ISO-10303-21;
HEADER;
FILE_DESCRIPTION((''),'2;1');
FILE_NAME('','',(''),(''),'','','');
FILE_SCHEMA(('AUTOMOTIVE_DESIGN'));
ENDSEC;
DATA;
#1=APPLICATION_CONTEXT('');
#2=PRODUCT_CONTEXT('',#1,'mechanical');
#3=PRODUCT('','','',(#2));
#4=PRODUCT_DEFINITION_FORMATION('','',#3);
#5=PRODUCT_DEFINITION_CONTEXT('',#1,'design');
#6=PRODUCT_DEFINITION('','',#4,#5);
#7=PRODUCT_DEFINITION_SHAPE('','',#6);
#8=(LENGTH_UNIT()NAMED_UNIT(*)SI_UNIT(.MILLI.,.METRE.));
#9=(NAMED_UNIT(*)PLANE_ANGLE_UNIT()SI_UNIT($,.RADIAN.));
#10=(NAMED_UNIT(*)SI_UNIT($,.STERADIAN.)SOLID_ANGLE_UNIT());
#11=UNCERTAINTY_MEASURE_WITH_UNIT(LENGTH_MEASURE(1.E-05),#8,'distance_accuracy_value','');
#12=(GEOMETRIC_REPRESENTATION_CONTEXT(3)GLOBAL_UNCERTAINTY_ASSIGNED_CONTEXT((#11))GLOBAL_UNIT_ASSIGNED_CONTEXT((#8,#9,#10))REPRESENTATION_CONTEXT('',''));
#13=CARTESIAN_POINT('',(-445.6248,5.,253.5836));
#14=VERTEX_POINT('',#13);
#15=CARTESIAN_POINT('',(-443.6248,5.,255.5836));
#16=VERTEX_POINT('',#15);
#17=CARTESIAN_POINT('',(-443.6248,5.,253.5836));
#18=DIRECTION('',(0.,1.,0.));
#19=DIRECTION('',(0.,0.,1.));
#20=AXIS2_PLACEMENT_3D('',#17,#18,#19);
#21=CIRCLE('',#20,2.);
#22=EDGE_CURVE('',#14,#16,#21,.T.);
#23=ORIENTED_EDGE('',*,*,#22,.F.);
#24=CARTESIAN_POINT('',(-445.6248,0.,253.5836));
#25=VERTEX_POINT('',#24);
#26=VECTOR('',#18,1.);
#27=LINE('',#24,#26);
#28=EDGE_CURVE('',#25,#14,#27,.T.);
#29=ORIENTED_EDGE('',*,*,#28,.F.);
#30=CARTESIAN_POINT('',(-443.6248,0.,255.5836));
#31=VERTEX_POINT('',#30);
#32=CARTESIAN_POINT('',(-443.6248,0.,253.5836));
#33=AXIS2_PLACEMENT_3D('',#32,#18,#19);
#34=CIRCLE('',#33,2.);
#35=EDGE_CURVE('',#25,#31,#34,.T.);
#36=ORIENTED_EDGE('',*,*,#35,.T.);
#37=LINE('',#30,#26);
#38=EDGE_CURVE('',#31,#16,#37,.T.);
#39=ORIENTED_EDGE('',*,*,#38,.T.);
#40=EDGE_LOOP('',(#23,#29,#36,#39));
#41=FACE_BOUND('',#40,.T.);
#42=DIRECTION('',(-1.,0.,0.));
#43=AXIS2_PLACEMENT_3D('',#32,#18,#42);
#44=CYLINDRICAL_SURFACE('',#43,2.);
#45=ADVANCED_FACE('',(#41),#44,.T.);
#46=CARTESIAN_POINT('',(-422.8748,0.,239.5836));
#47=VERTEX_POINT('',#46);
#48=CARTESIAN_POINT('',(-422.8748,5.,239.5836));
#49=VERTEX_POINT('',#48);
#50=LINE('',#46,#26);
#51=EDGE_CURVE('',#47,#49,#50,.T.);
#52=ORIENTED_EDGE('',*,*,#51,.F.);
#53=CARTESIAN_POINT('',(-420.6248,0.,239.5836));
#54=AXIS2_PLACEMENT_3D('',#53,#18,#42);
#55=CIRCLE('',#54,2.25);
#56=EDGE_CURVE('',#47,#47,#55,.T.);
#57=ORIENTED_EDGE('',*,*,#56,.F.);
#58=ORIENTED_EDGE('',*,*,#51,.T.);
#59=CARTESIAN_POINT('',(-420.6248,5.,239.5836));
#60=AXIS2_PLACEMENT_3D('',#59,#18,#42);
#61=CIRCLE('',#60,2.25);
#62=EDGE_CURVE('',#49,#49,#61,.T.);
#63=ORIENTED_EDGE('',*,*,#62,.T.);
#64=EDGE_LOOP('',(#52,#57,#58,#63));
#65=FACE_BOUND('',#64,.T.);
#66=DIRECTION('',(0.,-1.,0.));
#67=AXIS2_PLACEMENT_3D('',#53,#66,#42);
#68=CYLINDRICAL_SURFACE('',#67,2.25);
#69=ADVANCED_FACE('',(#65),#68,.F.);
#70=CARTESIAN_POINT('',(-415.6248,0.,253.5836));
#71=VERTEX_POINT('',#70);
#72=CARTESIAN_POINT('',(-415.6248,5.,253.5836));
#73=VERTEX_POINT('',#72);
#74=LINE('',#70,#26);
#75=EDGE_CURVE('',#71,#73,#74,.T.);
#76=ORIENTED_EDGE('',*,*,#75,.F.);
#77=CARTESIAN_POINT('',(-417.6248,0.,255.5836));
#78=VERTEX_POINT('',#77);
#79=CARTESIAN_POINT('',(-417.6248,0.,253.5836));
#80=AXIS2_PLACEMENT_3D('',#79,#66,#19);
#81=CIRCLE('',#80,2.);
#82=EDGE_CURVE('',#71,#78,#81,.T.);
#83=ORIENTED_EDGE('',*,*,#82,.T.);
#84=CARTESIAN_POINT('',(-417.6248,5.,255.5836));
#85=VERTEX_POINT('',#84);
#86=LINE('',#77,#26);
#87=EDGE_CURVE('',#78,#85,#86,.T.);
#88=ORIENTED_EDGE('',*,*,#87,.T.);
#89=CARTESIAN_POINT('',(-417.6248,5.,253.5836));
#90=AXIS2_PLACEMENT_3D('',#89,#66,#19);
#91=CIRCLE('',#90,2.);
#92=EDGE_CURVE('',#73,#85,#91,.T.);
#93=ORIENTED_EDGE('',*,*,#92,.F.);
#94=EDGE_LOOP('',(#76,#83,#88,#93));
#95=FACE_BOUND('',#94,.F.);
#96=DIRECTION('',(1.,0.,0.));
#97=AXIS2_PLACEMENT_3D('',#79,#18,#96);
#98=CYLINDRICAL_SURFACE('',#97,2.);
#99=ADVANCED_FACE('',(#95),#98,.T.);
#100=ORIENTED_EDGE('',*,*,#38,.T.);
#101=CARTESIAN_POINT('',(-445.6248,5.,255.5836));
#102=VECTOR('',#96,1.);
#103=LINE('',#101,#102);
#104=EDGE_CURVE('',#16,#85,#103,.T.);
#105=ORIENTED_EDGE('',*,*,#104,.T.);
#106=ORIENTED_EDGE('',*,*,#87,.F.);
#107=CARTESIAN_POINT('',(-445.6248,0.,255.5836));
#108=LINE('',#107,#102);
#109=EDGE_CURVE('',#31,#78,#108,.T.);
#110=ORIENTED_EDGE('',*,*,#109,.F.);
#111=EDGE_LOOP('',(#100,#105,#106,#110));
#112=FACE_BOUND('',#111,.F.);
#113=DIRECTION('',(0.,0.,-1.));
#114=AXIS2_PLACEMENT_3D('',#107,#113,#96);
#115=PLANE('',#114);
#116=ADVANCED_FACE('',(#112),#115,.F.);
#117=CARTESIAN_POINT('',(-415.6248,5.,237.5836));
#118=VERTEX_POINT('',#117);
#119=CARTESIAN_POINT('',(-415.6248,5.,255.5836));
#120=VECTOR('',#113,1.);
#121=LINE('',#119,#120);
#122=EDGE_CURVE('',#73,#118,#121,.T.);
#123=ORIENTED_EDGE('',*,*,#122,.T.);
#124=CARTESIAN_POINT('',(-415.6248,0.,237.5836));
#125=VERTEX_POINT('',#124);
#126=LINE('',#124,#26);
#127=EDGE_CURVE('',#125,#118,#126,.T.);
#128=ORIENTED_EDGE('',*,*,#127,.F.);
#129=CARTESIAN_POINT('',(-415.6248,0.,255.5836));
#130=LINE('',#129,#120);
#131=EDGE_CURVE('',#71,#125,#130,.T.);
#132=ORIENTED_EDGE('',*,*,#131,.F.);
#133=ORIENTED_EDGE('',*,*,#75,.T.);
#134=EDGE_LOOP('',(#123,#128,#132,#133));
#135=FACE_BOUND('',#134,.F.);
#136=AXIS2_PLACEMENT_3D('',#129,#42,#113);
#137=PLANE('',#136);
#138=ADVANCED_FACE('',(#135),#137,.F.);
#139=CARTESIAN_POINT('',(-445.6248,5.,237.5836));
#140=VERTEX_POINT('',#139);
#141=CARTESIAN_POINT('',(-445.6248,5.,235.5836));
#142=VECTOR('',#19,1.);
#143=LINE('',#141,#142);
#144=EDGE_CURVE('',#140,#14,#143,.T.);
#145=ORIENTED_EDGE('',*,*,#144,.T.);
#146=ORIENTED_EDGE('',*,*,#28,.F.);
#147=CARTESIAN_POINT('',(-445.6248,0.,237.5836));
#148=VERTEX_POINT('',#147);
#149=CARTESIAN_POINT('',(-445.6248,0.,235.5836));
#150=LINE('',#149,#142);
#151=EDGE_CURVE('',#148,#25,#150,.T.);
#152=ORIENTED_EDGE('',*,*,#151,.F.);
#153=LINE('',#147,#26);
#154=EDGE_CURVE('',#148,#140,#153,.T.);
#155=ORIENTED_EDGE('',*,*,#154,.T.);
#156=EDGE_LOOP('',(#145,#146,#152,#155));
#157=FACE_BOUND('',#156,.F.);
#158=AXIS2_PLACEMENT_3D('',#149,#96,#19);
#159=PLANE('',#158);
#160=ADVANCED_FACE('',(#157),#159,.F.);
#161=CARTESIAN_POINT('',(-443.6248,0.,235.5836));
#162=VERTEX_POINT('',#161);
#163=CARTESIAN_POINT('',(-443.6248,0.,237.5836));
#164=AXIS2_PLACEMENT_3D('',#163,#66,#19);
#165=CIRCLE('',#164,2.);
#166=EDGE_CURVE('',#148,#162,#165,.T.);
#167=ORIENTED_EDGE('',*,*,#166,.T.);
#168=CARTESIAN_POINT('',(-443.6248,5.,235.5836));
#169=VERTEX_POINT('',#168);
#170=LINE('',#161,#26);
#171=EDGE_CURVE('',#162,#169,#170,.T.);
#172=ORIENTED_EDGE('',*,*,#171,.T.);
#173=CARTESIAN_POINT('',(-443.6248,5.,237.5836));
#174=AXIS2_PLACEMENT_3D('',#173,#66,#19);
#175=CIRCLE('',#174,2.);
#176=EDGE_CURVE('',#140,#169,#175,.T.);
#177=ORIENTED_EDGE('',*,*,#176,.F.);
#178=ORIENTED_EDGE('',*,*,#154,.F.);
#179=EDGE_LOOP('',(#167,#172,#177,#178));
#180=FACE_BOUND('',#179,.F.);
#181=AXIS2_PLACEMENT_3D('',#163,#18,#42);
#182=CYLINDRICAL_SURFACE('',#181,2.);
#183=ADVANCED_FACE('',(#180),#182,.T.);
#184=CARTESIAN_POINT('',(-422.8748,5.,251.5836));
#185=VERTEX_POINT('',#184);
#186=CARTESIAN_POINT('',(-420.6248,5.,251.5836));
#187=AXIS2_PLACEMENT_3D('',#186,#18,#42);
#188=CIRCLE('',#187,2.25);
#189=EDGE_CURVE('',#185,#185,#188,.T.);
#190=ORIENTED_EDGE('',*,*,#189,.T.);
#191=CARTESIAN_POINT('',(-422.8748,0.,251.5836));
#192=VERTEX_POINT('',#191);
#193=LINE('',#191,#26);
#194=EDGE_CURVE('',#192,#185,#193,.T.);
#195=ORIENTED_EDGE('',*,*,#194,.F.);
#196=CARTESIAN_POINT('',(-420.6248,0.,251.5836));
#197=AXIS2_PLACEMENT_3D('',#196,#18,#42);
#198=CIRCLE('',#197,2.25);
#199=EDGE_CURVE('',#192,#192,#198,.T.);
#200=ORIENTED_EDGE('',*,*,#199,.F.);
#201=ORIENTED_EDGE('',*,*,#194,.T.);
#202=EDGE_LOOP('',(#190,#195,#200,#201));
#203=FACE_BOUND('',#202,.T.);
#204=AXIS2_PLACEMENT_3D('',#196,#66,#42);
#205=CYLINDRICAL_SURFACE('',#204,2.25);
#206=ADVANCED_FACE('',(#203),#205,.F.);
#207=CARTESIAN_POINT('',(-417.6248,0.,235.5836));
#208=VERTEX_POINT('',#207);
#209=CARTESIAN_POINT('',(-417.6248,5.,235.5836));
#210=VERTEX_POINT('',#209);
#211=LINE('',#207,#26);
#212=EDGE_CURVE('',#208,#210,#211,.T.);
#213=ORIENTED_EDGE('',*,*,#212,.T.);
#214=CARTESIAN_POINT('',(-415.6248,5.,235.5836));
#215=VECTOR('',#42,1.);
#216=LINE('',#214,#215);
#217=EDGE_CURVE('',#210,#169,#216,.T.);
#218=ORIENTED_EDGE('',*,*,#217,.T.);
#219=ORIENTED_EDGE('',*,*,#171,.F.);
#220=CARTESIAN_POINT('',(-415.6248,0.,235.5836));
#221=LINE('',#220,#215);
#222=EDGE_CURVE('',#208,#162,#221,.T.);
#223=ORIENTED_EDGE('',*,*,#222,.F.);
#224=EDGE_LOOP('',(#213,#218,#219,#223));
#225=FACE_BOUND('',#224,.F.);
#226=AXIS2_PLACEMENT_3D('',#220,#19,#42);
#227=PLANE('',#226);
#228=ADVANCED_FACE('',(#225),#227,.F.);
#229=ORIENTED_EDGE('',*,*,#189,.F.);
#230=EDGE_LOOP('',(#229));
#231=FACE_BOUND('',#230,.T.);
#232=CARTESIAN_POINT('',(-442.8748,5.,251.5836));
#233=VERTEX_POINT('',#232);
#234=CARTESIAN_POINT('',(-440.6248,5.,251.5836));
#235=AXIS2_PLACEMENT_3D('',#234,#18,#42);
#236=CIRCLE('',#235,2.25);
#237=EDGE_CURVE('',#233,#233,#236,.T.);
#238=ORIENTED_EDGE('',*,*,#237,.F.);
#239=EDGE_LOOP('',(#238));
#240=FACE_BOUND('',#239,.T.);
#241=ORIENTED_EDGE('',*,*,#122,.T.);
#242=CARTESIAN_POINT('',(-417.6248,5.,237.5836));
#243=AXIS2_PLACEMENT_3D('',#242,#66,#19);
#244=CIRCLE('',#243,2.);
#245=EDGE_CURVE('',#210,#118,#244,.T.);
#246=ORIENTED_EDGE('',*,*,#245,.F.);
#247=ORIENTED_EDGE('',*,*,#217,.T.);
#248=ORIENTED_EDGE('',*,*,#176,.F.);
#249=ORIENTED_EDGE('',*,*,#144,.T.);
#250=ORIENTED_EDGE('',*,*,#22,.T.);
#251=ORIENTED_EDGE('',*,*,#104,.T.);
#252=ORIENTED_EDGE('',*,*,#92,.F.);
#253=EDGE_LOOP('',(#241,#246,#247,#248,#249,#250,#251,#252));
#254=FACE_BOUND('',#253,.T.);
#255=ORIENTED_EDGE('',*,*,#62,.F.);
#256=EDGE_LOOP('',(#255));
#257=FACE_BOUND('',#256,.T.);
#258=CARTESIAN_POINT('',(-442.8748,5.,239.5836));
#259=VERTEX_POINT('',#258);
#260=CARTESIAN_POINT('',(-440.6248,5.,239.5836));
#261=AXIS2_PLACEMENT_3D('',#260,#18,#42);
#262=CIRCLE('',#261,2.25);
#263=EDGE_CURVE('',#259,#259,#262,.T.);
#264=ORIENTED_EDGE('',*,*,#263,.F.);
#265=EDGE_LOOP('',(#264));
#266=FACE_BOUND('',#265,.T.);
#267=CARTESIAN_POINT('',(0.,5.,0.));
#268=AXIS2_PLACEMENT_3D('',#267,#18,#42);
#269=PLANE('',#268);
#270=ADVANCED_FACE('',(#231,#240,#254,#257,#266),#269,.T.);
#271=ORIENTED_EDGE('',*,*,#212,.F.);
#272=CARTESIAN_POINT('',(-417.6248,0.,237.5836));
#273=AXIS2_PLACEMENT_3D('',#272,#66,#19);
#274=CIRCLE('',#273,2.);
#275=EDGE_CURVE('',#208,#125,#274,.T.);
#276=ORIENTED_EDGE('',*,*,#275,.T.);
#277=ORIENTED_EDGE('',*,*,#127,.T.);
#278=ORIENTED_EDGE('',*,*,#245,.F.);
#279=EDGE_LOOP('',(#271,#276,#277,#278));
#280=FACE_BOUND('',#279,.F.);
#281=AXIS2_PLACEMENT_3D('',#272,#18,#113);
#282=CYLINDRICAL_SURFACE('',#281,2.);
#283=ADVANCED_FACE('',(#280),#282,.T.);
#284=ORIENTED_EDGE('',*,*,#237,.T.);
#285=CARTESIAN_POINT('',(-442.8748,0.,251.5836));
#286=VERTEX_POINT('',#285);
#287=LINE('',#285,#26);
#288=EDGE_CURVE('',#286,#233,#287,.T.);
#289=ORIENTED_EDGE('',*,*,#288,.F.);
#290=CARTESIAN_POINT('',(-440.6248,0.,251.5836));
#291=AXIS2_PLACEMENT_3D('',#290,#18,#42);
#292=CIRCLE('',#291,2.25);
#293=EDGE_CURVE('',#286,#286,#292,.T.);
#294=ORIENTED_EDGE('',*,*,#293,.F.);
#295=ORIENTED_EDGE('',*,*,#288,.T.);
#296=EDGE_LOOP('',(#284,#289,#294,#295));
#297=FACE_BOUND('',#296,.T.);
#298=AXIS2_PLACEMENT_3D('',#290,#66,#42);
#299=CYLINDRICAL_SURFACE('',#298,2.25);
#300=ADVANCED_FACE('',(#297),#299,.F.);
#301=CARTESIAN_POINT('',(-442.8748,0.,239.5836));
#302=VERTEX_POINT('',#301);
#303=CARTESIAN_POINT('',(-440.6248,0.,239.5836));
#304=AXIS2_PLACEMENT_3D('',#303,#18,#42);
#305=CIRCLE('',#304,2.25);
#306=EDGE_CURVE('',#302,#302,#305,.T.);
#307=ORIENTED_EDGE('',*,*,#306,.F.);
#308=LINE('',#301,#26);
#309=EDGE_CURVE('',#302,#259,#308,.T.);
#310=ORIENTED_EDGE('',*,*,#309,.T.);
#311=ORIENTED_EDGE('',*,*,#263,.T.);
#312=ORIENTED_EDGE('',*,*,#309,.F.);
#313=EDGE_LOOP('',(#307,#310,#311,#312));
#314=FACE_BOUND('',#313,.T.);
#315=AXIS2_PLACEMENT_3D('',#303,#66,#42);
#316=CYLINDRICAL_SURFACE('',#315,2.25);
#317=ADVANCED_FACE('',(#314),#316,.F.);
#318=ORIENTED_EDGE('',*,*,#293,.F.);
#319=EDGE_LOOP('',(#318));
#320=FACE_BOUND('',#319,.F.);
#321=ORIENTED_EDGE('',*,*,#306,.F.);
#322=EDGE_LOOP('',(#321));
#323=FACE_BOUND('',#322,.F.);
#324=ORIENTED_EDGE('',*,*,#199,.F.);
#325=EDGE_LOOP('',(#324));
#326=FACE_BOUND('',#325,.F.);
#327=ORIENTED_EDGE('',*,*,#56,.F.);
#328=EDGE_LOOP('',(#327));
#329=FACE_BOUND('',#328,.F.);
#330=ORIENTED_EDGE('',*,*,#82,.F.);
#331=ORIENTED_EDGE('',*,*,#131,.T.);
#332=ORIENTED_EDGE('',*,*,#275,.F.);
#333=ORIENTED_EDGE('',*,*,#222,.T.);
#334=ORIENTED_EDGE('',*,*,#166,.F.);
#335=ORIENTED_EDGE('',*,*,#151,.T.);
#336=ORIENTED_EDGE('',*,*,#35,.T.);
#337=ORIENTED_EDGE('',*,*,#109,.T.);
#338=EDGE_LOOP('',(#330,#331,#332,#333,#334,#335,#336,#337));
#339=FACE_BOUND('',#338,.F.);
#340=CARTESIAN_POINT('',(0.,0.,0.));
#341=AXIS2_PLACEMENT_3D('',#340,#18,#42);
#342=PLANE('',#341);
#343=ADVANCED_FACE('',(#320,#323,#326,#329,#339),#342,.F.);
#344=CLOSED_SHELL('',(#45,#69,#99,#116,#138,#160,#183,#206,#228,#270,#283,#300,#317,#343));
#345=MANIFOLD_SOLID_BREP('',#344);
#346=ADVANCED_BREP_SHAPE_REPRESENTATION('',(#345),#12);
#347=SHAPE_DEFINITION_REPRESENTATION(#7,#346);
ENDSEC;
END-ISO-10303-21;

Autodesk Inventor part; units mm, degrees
ref_plane "YZ Plane" through (0, 0, 0) normal (1, 0, 0) x (0, 1, 0)
ref_plane "XZ Plane" through (0, 0, 0) normal (0, 1, 0) x (-1, 0, 0)
ref_plane "XY Plane" through (0, 0, 0) normal (0, 0, 1) x (1, 0, 0)
sketch "Sketch1" plane through (0, 0, 0) normal (0, 1, 0) x (-1, 0, 0)
  line L0 (445.6248, 255.5836) -> (415.6248, 255.5836)
  line L1 (415.6248, 255.5836) -> (415.6248, 235.5836)
  line L2 (415.6248, 235.5836) -> (445.6248, 235.5836)
  line L3 (445.6248, 235.5836) -> (445.6248, 255.5836)
  circle A0 centre (440.6248, 251.5836) radius 2.25
  circle A1 centre (440.6248, 239.5836) radius 2.25
  circle A2 centre (420.6248, 251.5836) radius 2.25
  circle A3 centre (420.6248, 239.5836) radius 2.25
  dimension "d8" = 4.5
  dimension "d9" = 20
  dimension "d10" = 30
  dimension "d11" = 20
  dimension "d12" = 12
  dimension "d13" = 4
  dimension "d14" = 5
extrude "Extrusion1" add sketch "Sketch1" along normal blind 5
fillet "Fillet1" radius 2 4 edges at (-415.6248, 2.5, 255.5836) (-415.6248, 2.5, 235.5836) (-445.6248, 2.5, 255.5836) (-445.6248, 2.5, 235.5836)
properties part number "beltpress"
